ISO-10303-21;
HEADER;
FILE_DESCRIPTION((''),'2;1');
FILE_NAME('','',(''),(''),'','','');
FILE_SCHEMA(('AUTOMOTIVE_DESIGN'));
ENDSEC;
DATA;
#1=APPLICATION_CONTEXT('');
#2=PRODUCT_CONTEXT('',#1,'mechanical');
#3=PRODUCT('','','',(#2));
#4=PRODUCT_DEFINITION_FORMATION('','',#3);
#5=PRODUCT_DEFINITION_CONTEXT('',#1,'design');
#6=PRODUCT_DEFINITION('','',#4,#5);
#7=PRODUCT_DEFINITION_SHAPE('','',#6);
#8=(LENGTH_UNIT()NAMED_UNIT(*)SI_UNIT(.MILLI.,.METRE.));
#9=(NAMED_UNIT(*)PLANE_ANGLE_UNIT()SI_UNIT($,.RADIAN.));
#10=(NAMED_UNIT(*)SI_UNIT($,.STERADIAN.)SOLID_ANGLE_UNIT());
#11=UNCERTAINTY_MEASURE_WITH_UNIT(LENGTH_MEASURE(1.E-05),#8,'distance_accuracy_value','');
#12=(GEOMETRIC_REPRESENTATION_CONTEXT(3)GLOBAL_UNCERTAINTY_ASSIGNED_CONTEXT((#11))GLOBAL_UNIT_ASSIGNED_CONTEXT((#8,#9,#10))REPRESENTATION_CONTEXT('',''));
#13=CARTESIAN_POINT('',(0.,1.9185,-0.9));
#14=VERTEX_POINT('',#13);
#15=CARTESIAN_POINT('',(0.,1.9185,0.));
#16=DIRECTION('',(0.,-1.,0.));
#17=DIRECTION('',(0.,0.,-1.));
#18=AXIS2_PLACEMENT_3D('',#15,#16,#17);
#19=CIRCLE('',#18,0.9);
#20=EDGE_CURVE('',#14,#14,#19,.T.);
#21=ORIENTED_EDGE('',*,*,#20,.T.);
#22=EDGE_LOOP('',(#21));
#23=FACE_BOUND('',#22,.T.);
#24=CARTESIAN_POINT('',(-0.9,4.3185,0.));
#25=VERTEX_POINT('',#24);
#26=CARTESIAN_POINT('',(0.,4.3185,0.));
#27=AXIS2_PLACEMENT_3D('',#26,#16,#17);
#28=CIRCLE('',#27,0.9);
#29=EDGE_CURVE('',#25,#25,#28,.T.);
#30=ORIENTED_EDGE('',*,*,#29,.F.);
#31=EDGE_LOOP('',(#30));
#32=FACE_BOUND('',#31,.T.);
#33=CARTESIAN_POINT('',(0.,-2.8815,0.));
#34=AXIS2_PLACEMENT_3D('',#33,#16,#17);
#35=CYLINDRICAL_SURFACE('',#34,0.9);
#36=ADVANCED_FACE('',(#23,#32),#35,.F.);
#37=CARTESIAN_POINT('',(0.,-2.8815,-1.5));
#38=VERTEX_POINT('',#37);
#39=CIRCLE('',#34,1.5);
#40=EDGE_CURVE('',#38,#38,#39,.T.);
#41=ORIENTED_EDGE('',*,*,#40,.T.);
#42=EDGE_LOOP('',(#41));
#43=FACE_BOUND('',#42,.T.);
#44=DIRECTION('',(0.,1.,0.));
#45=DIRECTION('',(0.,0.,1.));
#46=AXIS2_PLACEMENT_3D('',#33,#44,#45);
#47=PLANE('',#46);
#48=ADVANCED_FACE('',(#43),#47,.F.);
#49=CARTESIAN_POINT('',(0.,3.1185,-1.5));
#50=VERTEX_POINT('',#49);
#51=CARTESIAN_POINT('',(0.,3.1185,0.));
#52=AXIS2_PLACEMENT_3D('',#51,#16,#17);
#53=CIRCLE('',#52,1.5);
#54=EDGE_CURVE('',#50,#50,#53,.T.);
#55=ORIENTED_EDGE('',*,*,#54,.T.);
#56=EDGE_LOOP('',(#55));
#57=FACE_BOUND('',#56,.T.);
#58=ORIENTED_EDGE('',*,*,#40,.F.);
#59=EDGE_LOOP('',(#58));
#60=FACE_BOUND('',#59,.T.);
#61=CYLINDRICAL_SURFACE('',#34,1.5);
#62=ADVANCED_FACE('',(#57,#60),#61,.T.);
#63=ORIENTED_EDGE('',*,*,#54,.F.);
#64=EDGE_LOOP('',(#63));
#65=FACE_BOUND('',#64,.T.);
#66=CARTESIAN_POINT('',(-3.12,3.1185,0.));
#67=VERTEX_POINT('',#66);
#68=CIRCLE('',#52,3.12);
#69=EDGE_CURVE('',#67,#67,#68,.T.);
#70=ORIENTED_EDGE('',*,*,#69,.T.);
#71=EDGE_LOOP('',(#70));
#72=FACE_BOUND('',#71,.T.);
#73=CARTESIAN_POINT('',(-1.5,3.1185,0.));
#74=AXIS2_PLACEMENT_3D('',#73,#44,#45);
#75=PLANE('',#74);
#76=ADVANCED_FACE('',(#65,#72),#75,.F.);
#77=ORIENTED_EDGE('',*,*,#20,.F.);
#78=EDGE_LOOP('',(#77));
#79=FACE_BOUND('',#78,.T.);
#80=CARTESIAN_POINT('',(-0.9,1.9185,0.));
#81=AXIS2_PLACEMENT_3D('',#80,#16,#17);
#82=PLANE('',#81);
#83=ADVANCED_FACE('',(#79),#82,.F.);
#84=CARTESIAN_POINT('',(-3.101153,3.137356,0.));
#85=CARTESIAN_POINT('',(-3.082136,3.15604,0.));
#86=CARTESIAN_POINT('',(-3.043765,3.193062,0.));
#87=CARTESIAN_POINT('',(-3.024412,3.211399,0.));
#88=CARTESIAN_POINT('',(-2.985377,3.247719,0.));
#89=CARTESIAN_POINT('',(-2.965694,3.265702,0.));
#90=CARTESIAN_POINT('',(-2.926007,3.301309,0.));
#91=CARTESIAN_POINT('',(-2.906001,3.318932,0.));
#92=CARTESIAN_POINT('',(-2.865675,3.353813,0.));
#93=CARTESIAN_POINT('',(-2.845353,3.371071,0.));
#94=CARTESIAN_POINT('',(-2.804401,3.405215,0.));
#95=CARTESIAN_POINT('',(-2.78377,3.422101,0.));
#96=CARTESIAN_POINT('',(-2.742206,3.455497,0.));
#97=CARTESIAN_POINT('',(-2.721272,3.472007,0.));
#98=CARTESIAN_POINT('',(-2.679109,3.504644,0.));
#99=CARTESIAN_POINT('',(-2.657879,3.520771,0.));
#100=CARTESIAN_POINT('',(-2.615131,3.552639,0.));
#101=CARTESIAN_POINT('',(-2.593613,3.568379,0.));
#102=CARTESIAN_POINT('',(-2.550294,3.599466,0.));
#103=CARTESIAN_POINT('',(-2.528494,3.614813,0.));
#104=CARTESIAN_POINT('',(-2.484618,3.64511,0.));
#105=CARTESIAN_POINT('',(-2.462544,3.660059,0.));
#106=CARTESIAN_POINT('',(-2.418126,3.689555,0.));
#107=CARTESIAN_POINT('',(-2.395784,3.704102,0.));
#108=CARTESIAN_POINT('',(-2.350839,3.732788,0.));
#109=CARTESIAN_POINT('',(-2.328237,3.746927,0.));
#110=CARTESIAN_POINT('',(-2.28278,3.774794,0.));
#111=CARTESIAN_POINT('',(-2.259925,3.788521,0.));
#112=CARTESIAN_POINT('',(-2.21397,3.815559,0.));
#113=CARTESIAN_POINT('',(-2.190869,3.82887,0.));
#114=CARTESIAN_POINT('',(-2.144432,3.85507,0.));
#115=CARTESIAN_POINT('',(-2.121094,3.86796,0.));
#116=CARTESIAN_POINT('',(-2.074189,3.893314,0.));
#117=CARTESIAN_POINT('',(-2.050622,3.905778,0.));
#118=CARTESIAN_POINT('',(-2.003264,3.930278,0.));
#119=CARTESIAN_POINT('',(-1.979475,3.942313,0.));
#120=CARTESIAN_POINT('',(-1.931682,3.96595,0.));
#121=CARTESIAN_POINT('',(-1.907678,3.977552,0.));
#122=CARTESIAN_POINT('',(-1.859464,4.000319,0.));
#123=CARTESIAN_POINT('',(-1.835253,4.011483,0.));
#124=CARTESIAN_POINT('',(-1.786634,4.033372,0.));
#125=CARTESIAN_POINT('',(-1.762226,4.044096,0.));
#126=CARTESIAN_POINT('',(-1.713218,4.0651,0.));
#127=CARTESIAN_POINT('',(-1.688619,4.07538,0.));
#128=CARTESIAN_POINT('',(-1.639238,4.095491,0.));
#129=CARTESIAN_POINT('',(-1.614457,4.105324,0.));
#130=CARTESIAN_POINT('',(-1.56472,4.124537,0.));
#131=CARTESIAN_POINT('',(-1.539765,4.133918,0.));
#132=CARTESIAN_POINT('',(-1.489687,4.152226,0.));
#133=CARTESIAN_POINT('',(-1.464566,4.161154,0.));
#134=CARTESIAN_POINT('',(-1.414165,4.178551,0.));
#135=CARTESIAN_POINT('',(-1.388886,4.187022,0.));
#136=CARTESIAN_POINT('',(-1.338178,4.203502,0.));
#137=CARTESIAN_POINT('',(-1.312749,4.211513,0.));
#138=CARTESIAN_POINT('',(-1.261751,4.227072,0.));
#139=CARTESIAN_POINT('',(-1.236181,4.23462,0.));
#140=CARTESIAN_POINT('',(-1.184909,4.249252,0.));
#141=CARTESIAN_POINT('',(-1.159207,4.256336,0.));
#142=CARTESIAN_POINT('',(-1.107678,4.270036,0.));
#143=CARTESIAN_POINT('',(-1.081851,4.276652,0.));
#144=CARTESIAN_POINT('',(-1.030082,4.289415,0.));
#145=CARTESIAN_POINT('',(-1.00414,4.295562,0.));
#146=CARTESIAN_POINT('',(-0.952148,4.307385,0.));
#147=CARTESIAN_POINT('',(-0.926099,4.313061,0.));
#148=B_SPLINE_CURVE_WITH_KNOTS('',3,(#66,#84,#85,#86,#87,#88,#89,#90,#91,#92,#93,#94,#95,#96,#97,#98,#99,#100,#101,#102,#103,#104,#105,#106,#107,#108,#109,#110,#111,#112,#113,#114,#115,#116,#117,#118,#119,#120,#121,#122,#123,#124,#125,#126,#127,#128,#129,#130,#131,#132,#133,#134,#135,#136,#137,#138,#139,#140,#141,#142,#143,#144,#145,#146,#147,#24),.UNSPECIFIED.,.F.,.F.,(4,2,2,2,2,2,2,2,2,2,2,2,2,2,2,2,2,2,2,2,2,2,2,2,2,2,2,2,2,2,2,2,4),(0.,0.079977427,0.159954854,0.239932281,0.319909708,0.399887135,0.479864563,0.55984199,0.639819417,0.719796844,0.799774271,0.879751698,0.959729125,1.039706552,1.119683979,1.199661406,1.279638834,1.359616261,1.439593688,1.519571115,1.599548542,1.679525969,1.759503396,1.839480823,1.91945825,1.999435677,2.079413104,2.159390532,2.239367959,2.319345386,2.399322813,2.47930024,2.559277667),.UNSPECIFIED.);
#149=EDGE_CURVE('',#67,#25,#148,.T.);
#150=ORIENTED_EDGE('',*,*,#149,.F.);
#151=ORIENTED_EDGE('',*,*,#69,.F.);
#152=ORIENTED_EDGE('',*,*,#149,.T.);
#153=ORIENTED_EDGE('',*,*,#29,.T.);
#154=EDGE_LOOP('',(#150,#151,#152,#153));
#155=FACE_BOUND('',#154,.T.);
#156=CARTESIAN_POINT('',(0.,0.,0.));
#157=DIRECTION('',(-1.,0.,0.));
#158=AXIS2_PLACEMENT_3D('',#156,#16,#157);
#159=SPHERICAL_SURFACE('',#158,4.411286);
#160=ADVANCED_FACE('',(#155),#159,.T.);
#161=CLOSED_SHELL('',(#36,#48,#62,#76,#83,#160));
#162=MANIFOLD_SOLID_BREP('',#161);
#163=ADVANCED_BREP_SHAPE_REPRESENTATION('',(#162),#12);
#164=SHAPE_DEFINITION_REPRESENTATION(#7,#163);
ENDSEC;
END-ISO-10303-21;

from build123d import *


with BuildPart() as part:
    # 草图1 → 旋转1 (revolve)
    with BuildSketch(Plane.XY, mode=Mode.PRIVATE) as revolve_1_sk:
        with BuildLine():
            Line((0, -2.8815), (-1.5, -2.8815))
            Line((-1.5, -2.8815), (-1.5, 3.1185))
            Line((-1.5, 3.1185), (-3.12, 3.1185))
            ThreePointArc((-3.12, 3.1185), (-2.097641533, 3.880636836), (-0.9, 4.3185))
            Line((-0.9, 4.3185), (-0.9, 1.9185))
            Line((-0.9, 1.9185), (0, 1.9185))
            Line((0, 1.9185), (0, -2.8815))
        make_face()
    revolve(revolve_1_sk.sketch.rotate(Axis((0, -2.8815, 0), (0, 1, 0)), 270), axis=Axis((0, -2.8815, 0), (0, 1, 0)))


solid = part.part
